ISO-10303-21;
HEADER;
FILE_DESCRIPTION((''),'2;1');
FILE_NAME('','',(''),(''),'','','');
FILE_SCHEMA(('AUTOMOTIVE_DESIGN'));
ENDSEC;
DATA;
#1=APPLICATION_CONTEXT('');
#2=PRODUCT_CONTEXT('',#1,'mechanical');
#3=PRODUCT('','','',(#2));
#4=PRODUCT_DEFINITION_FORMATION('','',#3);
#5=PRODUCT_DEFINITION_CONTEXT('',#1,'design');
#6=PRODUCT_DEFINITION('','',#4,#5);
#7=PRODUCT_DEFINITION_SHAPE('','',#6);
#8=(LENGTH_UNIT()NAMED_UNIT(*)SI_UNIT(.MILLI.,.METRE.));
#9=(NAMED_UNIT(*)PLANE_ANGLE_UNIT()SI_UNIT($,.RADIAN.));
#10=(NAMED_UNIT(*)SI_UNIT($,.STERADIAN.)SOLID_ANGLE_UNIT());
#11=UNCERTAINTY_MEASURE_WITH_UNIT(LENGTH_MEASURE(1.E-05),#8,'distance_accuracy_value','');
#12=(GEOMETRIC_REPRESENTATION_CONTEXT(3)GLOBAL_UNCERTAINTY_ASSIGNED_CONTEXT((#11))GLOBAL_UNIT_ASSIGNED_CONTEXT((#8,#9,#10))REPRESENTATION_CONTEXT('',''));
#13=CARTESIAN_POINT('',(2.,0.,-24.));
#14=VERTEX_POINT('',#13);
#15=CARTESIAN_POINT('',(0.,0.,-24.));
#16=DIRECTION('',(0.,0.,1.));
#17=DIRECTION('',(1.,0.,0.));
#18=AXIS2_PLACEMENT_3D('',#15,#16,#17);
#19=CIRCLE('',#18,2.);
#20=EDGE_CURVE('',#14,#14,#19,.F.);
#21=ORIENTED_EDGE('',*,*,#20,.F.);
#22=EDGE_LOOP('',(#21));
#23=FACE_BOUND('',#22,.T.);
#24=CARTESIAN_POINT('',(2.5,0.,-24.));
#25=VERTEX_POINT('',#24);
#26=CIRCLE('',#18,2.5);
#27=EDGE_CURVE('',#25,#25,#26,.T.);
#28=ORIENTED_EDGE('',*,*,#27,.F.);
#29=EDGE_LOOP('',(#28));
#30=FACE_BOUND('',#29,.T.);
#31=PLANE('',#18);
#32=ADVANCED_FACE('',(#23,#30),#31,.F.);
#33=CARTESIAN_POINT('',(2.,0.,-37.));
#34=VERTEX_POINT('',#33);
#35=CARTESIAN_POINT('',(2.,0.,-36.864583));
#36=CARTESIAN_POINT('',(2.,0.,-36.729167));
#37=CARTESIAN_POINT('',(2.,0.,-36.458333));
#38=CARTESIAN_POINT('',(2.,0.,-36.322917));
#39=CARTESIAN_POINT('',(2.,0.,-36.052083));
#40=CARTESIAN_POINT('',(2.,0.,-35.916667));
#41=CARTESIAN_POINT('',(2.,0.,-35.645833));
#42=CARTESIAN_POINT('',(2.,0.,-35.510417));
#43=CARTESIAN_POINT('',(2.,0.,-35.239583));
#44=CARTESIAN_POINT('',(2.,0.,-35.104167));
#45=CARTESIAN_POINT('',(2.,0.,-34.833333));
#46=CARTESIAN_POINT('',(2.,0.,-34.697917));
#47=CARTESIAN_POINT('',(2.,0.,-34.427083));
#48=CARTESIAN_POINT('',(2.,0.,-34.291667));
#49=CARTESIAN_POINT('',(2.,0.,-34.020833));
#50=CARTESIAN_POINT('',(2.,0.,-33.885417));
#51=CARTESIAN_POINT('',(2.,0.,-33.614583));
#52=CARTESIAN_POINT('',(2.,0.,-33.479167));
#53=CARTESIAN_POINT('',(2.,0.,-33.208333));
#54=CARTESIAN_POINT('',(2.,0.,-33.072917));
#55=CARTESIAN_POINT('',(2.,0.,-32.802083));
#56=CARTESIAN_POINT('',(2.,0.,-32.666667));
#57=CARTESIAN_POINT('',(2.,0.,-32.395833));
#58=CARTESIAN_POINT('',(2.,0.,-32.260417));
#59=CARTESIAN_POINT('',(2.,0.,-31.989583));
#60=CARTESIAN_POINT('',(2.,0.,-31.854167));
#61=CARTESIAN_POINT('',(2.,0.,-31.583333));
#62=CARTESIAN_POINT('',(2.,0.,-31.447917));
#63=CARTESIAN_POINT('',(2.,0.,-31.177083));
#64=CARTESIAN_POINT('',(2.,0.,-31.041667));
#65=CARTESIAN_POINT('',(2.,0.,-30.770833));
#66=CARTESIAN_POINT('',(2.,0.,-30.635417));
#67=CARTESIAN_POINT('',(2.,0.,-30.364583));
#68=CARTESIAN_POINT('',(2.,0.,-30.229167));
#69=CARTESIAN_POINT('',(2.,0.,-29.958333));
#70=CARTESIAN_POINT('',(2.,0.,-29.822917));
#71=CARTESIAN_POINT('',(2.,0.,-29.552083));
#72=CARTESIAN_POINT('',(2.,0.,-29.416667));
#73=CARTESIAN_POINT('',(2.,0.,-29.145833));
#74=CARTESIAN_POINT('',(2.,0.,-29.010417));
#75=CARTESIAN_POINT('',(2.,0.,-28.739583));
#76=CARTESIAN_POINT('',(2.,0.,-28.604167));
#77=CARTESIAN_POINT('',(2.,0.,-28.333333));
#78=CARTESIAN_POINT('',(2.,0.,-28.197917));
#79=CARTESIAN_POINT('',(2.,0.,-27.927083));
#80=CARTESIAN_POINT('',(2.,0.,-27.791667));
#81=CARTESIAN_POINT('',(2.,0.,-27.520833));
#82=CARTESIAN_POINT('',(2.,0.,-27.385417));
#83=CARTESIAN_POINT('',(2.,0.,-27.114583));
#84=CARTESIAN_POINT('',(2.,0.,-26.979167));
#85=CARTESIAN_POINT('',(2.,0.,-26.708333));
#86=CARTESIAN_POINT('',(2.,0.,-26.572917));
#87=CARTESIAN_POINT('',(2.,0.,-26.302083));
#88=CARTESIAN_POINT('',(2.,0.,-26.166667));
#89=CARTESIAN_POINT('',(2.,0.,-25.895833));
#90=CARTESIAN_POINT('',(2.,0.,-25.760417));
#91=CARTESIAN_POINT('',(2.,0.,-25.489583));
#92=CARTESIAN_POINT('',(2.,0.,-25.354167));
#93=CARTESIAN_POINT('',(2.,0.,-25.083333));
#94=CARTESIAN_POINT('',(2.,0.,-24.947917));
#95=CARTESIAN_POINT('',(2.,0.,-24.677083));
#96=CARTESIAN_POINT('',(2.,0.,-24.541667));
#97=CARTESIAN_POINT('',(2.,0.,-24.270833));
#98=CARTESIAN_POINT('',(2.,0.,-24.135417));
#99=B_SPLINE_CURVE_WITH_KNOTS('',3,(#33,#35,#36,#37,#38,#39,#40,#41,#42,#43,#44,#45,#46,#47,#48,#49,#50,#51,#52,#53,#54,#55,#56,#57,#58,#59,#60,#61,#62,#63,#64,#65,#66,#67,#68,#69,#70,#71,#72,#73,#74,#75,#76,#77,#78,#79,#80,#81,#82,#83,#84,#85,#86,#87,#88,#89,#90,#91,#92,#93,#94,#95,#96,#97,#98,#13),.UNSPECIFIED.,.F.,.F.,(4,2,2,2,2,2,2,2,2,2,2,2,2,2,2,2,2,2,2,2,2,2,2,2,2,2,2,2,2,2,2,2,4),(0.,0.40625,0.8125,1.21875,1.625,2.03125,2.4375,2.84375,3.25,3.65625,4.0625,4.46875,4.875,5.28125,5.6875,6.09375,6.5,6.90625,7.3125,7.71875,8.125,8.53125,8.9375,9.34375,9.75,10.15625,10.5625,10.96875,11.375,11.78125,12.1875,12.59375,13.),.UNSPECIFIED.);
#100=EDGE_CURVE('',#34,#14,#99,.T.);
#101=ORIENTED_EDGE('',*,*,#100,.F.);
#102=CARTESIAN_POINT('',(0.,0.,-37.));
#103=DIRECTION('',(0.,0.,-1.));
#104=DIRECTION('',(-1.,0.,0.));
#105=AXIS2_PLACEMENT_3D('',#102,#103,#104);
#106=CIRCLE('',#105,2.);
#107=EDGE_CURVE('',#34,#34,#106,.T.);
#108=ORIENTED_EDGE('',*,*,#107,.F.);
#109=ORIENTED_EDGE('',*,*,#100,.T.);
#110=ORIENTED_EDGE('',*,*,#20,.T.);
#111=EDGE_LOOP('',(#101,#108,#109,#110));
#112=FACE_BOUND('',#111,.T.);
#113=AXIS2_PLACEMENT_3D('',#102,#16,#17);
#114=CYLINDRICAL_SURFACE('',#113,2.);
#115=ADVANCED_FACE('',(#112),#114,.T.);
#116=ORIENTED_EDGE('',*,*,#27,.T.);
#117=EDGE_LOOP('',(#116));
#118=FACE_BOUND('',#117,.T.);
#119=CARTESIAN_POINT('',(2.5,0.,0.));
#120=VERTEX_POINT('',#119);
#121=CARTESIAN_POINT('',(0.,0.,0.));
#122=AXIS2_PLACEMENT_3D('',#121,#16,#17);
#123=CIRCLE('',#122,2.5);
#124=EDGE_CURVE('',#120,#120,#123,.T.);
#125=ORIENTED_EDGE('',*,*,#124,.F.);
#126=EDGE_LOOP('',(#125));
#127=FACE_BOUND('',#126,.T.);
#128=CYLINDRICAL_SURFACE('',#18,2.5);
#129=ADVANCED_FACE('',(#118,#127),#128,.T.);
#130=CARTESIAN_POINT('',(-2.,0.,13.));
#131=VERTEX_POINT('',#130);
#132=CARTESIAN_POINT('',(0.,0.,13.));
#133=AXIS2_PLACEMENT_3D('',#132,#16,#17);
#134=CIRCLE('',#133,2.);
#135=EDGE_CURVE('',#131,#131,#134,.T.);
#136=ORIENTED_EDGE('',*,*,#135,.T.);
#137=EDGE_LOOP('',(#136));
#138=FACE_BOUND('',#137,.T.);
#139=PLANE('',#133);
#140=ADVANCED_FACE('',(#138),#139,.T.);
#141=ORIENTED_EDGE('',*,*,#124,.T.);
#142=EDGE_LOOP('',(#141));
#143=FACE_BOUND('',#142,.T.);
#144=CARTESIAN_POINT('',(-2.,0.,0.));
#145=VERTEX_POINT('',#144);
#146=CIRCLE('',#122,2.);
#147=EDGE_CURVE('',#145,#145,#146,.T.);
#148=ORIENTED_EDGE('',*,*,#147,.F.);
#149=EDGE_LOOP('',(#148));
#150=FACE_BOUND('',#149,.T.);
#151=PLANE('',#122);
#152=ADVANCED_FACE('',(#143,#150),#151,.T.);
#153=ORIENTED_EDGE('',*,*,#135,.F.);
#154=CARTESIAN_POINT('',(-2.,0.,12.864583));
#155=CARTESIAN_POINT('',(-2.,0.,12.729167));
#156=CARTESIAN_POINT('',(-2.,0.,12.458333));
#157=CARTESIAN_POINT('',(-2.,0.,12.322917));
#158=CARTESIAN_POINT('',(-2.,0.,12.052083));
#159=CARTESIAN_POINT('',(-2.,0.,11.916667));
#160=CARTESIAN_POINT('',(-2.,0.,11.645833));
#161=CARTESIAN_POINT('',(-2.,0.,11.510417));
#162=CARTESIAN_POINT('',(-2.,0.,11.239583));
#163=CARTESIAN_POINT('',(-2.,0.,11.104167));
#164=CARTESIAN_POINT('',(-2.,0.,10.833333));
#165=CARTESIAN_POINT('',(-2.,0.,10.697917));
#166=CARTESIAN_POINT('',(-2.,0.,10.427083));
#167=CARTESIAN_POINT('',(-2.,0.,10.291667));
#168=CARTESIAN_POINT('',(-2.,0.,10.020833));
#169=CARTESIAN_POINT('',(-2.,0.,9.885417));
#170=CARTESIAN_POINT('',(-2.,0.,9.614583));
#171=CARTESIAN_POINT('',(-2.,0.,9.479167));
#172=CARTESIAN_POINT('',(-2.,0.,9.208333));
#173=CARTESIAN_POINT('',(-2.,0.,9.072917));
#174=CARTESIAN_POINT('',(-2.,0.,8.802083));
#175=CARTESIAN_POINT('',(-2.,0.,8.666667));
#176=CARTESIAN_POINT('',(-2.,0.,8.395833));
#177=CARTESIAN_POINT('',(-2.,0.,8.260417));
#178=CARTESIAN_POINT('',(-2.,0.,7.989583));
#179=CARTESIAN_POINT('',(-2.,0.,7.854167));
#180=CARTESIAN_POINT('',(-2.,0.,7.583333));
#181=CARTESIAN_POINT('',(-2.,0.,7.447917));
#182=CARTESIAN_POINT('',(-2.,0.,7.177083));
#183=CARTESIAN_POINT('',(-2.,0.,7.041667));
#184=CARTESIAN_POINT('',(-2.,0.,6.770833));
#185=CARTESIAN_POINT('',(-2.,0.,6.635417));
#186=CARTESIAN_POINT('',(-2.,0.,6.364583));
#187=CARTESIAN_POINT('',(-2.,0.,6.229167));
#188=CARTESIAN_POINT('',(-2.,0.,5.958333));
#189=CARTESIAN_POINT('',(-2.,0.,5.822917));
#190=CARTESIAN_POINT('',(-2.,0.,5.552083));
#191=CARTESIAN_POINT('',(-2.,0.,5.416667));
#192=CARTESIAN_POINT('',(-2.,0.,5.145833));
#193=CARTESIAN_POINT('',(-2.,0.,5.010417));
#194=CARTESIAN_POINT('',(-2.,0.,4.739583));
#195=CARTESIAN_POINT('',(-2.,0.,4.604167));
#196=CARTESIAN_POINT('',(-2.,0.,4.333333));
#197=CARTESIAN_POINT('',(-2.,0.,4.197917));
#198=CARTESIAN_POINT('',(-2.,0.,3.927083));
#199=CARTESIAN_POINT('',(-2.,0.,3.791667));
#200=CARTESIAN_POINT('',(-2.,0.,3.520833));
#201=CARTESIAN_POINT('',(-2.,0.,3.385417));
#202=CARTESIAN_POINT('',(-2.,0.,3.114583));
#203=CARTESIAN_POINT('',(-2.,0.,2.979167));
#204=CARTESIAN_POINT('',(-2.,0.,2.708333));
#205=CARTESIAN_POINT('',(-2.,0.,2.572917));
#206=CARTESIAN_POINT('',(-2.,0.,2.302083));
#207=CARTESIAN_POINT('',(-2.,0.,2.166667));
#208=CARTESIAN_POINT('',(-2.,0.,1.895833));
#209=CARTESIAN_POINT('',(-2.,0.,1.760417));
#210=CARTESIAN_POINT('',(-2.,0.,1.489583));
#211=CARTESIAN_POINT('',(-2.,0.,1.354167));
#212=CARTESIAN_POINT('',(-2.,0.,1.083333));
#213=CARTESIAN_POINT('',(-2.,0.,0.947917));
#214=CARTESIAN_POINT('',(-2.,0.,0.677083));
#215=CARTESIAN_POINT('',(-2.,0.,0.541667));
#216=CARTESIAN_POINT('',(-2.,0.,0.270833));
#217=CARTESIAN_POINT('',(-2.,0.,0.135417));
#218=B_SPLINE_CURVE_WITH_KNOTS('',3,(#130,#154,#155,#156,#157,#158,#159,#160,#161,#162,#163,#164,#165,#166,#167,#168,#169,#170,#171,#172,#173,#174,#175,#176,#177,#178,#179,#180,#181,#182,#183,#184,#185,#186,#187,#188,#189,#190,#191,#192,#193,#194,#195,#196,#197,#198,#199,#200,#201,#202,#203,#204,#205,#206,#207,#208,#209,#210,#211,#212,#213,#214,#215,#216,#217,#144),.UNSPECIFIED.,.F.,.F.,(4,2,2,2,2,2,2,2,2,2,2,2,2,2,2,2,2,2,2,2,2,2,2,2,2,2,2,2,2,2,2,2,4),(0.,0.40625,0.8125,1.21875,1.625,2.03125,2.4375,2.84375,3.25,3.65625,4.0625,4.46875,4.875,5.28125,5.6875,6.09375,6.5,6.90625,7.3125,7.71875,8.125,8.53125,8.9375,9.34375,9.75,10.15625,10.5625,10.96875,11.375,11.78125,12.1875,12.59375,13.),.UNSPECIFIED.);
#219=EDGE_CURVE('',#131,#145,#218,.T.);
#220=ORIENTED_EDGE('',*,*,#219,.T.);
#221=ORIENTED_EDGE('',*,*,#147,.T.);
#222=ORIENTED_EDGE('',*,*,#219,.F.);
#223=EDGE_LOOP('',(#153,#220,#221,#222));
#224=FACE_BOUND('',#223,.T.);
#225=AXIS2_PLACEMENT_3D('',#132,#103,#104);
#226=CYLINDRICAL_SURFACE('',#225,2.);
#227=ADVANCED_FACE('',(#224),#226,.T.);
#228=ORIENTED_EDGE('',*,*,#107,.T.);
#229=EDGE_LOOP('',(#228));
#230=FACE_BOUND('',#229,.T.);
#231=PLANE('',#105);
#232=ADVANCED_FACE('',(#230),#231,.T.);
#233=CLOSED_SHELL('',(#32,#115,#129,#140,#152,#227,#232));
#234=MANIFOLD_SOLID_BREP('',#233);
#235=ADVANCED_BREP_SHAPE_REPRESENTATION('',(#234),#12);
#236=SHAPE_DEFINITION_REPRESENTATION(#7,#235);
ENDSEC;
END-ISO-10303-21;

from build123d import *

# Parameters (mm, degrees)
ESQUISSE1_R        = 2.5
BOSS_EXTRU_1_DEPTH = 24
ESQUISSE2_R        = 2
BOSS_EXTRU_2_DEPTH = 13
BOSS_EXTRU_3_START = 13
ESQUISSE3_R        = 2
BOSS_EXTRU_3_DEPTH = 13


with BuildPart() as part:
    # Esquisse1 → Boss.-Extru.1 (new body)
    with BuildSketch(Plane.XY):
        Circle(ESQUISSE1_R)
    extrude(amount=-BOSS_EXTRU_1_DEPTH)

    # Esquisse2 → Boss.-Extru.2 (add)
    with BuildSketch(Plane.XY):
        with Locations(Location((0, 0, 0), (0, 0, 180))):
            Circle(ESQUISSE2_R)
    extrude(amount=BOSS_EXTRU_2_DEPTH)

    # Esquisse3 → Boss.-Extru.3 (add)
    with BuildSketch(Plane(origin=(0, 0, -24), x_dir=(-1, 0, 0), z_dir=(0, 0, -1)).offset(BOSS_EXTRU_3_START)):
        Circle(ESQUISSE3_R)
    extrude(amount=-BOSS_EXTRU_3_DEPTH)


solid = part.part
